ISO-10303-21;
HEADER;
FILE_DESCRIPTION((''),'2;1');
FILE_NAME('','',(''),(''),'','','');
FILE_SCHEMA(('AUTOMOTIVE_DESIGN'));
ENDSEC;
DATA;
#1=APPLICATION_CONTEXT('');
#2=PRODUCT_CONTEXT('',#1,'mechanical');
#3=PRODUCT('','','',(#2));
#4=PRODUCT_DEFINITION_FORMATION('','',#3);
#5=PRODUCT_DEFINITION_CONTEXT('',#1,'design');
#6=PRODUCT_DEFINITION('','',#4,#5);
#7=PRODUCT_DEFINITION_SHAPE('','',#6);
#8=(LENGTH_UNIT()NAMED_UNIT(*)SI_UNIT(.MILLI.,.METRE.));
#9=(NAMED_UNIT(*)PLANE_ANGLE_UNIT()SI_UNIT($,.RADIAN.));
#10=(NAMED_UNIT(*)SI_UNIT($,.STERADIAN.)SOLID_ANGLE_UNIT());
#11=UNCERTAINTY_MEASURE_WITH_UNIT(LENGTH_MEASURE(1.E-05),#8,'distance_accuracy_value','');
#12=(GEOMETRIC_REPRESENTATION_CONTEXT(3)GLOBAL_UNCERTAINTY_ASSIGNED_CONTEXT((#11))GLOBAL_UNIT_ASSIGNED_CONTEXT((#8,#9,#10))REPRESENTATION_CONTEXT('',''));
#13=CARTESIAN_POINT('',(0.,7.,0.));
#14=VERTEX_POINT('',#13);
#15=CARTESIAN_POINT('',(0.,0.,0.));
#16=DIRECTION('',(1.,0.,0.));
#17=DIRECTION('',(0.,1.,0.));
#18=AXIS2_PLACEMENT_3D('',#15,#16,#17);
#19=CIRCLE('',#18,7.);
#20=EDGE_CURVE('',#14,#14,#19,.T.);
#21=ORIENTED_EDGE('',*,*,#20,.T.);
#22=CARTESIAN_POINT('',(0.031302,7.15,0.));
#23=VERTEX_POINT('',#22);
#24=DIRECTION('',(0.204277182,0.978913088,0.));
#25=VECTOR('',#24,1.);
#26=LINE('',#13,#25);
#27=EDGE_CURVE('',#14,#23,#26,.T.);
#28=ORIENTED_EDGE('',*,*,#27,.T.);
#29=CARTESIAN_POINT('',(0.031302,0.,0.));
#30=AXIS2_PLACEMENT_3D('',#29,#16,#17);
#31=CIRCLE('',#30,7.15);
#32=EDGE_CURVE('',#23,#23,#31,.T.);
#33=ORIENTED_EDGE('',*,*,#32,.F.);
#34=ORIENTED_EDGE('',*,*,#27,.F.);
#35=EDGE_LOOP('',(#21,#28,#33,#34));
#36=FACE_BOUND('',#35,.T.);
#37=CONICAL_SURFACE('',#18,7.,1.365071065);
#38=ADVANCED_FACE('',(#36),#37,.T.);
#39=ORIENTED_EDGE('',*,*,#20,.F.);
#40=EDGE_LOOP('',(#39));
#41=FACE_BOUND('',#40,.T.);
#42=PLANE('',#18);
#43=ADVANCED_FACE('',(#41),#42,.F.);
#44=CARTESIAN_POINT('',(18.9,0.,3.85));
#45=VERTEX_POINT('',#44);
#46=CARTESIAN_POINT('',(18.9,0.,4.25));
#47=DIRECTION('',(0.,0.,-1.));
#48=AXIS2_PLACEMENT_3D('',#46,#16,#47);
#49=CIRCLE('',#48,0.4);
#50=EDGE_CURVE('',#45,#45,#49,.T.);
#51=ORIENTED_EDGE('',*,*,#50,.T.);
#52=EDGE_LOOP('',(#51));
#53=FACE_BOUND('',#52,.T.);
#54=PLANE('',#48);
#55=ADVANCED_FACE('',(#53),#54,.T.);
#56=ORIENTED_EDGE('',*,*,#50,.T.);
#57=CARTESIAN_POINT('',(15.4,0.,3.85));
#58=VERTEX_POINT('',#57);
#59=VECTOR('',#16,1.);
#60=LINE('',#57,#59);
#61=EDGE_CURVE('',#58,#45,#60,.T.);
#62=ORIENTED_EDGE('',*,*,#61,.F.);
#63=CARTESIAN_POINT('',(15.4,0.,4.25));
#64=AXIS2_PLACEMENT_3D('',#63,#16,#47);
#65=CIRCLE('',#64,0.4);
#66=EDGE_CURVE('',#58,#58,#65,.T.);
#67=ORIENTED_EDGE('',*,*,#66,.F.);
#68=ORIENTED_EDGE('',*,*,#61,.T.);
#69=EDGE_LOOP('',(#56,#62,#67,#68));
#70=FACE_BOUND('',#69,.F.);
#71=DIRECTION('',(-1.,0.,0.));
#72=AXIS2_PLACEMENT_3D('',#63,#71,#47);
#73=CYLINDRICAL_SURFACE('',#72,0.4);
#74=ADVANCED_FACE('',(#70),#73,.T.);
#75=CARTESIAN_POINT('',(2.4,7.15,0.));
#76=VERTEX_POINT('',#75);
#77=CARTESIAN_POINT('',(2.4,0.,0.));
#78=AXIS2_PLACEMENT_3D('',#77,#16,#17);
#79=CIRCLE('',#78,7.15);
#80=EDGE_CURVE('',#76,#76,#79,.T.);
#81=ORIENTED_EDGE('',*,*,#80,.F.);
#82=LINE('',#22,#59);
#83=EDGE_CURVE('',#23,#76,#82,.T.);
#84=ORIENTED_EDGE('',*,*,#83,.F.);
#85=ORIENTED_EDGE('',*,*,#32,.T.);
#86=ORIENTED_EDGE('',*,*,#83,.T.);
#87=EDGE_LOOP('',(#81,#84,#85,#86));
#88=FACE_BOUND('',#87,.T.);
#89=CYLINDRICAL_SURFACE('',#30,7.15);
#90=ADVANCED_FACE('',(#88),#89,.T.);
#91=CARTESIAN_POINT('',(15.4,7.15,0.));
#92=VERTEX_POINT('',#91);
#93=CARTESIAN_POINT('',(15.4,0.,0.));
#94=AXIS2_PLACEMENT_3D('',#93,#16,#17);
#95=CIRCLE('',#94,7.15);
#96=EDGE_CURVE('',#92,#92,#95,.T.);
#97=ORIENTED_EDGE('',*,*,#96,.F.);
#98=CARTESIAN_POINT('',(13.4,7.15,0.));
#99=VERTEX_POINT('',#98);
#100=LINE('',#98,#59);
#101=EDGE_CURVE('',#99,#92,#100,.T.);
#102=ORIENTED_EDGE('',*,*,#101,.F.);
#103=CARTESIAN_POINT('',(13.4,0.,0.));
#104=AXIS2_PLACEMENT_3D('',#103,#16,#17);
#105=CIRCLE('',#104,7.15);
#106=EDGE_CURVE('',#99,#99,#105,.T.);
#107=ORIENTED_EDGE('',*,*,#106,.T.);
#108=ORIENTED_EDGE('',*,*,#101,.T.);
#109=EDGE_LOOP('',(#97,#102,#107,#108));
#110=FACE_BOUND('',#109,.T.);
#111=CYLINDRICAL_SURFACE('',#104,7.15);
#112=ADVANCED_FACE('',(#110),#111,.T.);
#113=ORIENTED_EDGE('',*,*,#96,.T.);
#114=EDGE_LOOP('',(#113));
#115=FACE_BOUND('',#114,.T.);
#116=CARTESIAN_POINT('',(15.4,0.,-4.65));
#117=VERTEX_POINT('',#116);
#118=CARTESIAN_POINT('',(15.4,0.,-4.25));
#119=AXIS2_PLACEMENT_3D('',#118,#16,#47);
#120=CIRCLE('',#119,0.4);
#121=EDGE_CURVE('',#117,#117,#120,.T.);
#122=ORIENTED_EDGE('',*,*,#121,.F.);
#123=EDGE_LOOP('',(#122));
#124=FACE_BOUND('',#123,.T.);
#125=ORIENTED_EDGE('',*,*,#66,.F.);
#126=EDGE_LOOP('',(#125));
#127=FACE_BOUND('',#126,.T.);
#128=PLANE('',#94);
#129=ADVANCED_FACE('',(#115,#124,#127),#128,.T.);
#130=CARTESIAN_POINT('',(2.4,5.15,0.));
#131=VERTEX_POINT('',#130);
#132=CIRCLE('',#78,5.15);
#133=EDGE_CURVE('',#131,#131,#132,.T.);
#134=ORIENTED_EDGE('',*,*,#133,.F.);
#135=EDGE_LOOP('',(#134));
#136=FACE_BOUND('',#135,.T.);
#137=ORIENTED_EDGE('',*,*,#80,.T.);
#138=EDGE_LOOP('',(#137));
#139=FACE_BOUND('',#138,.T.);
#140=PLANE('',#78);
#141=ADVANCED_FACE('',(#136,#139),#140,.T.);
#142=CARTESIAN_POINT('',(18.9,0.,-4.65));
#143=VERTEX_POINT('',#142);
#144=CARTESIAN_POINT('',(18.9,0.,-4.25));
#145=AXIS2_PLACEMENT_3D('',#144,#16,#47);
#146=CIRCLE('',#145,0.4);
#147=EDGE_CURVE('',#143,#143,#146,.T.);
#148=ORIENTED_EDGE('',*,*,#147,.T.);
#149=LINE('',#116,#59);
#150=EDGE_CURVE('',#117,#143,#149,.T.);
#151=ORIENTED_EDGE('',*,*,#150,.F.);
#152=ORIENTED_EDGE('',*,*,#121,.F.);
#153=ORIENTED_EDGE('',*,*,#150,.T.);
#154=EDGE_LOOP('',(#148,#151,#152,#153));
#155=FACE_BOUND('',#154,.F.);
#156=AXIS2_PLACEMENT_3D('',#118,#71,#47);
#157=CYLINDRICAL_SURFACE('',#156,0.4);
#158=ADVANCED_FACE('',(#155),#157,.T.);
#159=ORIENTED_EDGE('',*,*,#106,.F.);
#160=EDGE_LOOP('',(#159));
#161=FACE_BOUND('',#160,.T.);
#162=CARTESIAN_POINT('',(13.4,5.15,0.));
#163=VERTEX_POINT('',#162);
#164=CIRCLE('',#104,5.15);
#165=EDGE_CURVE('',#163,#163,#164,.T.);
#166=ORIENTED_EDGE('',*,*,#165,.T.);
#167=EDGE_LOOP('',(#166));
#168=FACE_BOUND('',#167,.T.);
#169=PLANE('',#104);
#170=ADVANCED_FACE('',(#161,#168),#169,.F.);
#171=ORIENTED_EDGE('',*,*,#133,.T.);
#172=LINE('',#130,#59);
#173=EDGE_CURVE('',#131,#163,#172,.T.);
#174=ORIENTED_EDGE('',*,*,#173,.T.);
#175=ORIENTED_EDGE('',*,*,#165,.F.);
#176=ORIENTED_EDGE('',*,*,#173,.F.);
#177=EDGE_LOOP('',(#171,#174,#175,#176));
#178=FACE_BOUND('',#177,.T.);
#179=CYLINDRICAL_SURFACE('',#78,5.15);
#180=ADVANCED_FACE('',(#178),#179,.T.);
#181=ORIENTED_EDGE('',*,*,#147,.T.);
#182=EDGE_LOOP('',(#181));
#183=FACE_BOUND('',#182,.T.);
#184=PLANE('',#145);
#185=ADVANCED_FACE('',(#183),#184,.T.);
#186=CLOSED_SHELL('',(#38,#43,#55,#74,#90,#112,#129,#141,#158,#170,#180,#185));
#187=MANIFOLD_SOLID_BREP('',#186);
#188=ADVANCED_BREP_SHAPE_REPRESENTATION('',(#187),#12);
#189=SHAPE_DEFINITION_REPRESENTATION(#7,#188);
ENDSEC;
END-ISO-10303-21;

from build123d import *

# Parameters (mm, degrees)
SKETCH_2_R      = 0.4
EXTRUDE_1_DEPTH = 3.5


with BuildPart() as part:
    # Эскиз1 → Повернуть1 (revolve)
    with BuildSketch(Plane.XY):
        Polygon((0, 0), (0, 7), (0.031301632, 7.15), (2.4, 7.15), (2.4, 5.15), (13.4, 5.15), (13.4, 7.15), (15.4, 7.15), (15.4, 0), align=None)
    revolve(axis=Axis((-29.538793103, 0, 0), (1, 0, 0)))

    # Эскиз2 → Бобышка-Вытянуть1 (add)
    with BuildSketch(Plane(origin=(15.4, 0, 0), x_dir=(0, 0, -1), z_dir=(1, 0, 0))):
        with Locations((-4.25, 0)):
            Circle(SKETCH_2_R)
        with Locations((4.25, 0)):
            Circle(SKETCH_2_R)
    extrude(amount=EXTRUDE_1_DEPTH)


solid = part.part
